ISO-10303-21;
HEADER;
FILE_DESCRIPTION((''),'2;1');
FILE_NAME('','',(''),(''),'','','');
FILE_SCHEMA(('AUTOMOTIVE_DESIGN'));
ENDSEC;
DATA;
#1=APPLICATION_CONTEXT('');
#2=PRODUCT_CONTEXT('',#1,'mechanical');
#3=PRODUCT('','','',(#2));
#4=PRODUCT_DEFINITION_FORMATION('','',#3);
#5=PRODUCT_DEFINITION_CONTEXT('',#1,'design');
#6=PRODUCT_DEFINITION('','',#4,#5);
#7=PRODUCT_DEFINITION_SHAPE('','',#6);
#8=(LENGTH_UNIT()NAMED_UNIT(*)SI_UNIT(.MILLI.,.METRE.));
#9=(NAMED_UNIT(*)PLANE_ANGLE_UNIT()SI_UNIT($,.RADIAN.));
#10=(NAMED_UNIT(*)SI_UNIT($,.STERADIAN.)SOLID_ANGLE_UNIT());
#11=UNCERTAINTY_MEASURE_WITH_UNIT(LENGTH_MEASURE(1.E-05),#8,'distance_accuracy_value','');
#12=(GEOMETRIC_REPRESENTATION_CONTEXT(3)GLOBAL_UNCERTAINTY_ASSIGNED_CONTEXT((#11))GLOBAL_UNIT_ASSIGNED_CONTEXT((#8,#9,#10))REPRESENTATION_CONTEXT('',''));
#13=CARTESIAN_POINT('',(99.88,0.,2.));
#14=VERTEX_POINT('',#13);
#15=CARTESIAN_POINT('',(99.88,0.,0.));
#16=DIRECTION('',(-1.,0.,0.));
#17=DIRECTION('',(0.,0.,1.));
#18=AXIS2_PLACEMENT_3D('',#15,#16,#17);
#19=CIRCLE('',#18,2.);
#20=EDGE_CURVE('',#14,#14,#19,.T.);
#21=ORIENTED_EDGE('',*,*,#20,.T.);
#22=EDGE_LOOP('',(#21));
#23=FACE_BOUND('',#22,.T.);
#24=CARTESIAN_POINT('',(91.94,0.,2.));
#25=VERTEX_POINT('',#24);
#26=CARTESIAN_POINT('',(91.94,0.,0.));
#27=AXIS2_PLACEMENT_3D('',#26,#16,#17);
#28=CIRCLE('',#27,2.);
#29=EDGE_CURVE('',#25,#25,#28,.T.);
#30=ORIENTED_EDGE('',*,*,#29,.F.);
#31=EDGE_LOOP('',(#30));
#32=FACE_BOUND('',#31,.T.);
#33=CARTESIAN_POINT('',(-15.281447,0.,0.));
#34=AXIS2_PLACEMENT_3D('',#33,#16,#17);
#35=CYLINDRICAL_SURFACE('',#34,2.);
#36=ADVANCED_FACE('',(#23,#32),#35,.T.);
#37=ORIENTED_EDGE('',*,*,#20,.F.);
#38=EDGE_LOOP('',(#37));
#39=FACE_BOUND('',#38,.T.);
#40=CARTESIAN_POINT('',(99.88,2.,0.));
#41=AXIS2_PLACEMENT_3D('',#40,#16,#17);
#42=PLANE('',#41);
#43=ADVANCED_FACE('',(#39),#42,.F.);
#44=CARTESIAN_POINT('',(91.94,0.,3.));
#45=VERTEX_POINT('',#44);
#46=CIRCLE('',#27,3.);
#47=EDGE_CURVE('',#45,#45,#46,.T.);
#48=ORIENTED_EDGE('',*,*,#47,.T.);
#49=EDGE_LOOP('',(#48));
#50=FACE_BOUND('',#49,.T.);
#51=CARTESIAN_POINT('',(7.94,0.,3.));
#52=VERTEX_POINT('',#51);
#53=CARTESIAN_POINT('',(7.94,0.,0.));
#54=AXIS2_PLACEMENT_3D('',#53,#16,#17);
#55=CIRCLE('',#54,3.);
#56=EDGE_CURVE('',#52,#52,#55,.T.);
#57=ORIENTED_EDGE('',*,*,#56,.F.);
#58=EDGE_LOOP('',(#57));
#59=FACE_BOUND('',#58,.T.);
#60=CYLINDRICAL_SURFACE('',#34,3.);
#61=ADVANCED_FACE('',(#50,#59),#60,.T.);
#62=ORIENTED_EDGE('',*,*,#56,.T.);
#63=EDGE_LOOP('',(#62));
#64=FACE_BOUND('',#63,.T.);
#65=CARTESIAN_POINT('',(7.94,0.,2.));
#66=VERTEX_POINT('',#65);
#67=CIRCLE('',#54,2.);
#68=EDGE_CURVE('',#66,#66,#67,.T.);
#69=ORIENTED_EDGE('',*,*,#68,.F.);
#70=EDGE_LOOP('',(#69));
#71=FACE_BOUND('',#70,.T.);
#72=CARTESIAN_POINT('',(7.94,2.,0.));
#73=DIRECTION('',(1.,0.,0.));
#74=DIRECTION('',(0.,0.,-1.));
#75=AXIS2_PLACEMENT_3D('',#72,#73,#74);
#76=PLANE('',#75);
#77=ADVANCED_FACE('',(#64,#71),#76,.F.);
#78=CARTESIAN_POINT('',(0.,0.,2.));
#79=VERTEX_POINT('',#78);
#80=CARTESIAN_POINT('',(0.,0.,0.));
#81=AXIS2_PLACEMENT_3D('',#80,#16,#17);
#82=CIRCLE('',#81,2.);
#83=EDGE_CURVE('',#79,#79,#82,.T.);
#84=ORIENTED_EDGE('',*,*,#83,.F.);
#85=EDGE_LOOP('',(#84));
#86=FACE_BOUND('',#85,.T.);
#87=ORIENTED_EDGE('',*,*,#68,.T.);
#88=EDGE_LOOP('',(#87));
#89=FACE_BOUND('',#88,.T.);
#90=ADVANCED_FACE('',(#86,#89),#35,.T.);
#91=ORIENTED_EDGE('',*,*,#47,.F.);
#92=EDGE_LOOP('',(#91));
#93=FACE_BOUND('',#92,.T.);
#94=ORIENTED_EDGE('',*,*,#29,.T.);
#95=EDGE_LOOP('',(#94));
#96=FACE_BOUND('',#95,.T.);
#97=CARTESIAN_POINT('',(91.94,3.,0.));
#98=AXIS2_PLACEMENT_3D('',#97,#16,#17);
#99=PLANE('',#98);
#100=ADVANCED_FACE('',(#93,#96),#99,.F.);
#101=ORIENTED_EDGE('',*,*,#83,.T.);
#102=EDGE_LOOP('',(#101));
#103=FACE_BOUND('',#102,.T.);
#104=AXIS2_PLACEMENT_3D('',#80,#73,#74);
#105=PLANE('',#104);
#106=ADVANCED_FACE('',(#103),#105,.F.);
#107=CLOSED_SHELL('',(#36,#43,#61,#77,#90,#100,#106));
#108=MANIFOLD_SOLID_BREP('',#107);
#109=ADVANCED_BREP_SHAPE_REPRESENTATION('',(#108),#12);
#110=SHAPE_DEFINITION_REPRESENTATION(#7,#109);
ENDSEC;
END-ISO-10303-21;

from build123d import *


with BuildPart() as part:
    # Sketch1 → Revolve1 (revolve)
    with BuildSketch(Plane.XY, mode=Mode.PRIVATE) as revolve1_sk:
        Polygon((0, 0), (0, 2), (7.94, 2), (7.94, 3), (91.94, 3), (91.94, 2), (99.88, 2), (99.88, 0), align=None)
    revolve(revolve1_sk.sketch.rotate(Axis((-15.28144705, 0, 0), (1, 0, 0)), 90), axis=Axis((-15.28144705, 0, 0), (1, 0, 0)))


solid = part.part
